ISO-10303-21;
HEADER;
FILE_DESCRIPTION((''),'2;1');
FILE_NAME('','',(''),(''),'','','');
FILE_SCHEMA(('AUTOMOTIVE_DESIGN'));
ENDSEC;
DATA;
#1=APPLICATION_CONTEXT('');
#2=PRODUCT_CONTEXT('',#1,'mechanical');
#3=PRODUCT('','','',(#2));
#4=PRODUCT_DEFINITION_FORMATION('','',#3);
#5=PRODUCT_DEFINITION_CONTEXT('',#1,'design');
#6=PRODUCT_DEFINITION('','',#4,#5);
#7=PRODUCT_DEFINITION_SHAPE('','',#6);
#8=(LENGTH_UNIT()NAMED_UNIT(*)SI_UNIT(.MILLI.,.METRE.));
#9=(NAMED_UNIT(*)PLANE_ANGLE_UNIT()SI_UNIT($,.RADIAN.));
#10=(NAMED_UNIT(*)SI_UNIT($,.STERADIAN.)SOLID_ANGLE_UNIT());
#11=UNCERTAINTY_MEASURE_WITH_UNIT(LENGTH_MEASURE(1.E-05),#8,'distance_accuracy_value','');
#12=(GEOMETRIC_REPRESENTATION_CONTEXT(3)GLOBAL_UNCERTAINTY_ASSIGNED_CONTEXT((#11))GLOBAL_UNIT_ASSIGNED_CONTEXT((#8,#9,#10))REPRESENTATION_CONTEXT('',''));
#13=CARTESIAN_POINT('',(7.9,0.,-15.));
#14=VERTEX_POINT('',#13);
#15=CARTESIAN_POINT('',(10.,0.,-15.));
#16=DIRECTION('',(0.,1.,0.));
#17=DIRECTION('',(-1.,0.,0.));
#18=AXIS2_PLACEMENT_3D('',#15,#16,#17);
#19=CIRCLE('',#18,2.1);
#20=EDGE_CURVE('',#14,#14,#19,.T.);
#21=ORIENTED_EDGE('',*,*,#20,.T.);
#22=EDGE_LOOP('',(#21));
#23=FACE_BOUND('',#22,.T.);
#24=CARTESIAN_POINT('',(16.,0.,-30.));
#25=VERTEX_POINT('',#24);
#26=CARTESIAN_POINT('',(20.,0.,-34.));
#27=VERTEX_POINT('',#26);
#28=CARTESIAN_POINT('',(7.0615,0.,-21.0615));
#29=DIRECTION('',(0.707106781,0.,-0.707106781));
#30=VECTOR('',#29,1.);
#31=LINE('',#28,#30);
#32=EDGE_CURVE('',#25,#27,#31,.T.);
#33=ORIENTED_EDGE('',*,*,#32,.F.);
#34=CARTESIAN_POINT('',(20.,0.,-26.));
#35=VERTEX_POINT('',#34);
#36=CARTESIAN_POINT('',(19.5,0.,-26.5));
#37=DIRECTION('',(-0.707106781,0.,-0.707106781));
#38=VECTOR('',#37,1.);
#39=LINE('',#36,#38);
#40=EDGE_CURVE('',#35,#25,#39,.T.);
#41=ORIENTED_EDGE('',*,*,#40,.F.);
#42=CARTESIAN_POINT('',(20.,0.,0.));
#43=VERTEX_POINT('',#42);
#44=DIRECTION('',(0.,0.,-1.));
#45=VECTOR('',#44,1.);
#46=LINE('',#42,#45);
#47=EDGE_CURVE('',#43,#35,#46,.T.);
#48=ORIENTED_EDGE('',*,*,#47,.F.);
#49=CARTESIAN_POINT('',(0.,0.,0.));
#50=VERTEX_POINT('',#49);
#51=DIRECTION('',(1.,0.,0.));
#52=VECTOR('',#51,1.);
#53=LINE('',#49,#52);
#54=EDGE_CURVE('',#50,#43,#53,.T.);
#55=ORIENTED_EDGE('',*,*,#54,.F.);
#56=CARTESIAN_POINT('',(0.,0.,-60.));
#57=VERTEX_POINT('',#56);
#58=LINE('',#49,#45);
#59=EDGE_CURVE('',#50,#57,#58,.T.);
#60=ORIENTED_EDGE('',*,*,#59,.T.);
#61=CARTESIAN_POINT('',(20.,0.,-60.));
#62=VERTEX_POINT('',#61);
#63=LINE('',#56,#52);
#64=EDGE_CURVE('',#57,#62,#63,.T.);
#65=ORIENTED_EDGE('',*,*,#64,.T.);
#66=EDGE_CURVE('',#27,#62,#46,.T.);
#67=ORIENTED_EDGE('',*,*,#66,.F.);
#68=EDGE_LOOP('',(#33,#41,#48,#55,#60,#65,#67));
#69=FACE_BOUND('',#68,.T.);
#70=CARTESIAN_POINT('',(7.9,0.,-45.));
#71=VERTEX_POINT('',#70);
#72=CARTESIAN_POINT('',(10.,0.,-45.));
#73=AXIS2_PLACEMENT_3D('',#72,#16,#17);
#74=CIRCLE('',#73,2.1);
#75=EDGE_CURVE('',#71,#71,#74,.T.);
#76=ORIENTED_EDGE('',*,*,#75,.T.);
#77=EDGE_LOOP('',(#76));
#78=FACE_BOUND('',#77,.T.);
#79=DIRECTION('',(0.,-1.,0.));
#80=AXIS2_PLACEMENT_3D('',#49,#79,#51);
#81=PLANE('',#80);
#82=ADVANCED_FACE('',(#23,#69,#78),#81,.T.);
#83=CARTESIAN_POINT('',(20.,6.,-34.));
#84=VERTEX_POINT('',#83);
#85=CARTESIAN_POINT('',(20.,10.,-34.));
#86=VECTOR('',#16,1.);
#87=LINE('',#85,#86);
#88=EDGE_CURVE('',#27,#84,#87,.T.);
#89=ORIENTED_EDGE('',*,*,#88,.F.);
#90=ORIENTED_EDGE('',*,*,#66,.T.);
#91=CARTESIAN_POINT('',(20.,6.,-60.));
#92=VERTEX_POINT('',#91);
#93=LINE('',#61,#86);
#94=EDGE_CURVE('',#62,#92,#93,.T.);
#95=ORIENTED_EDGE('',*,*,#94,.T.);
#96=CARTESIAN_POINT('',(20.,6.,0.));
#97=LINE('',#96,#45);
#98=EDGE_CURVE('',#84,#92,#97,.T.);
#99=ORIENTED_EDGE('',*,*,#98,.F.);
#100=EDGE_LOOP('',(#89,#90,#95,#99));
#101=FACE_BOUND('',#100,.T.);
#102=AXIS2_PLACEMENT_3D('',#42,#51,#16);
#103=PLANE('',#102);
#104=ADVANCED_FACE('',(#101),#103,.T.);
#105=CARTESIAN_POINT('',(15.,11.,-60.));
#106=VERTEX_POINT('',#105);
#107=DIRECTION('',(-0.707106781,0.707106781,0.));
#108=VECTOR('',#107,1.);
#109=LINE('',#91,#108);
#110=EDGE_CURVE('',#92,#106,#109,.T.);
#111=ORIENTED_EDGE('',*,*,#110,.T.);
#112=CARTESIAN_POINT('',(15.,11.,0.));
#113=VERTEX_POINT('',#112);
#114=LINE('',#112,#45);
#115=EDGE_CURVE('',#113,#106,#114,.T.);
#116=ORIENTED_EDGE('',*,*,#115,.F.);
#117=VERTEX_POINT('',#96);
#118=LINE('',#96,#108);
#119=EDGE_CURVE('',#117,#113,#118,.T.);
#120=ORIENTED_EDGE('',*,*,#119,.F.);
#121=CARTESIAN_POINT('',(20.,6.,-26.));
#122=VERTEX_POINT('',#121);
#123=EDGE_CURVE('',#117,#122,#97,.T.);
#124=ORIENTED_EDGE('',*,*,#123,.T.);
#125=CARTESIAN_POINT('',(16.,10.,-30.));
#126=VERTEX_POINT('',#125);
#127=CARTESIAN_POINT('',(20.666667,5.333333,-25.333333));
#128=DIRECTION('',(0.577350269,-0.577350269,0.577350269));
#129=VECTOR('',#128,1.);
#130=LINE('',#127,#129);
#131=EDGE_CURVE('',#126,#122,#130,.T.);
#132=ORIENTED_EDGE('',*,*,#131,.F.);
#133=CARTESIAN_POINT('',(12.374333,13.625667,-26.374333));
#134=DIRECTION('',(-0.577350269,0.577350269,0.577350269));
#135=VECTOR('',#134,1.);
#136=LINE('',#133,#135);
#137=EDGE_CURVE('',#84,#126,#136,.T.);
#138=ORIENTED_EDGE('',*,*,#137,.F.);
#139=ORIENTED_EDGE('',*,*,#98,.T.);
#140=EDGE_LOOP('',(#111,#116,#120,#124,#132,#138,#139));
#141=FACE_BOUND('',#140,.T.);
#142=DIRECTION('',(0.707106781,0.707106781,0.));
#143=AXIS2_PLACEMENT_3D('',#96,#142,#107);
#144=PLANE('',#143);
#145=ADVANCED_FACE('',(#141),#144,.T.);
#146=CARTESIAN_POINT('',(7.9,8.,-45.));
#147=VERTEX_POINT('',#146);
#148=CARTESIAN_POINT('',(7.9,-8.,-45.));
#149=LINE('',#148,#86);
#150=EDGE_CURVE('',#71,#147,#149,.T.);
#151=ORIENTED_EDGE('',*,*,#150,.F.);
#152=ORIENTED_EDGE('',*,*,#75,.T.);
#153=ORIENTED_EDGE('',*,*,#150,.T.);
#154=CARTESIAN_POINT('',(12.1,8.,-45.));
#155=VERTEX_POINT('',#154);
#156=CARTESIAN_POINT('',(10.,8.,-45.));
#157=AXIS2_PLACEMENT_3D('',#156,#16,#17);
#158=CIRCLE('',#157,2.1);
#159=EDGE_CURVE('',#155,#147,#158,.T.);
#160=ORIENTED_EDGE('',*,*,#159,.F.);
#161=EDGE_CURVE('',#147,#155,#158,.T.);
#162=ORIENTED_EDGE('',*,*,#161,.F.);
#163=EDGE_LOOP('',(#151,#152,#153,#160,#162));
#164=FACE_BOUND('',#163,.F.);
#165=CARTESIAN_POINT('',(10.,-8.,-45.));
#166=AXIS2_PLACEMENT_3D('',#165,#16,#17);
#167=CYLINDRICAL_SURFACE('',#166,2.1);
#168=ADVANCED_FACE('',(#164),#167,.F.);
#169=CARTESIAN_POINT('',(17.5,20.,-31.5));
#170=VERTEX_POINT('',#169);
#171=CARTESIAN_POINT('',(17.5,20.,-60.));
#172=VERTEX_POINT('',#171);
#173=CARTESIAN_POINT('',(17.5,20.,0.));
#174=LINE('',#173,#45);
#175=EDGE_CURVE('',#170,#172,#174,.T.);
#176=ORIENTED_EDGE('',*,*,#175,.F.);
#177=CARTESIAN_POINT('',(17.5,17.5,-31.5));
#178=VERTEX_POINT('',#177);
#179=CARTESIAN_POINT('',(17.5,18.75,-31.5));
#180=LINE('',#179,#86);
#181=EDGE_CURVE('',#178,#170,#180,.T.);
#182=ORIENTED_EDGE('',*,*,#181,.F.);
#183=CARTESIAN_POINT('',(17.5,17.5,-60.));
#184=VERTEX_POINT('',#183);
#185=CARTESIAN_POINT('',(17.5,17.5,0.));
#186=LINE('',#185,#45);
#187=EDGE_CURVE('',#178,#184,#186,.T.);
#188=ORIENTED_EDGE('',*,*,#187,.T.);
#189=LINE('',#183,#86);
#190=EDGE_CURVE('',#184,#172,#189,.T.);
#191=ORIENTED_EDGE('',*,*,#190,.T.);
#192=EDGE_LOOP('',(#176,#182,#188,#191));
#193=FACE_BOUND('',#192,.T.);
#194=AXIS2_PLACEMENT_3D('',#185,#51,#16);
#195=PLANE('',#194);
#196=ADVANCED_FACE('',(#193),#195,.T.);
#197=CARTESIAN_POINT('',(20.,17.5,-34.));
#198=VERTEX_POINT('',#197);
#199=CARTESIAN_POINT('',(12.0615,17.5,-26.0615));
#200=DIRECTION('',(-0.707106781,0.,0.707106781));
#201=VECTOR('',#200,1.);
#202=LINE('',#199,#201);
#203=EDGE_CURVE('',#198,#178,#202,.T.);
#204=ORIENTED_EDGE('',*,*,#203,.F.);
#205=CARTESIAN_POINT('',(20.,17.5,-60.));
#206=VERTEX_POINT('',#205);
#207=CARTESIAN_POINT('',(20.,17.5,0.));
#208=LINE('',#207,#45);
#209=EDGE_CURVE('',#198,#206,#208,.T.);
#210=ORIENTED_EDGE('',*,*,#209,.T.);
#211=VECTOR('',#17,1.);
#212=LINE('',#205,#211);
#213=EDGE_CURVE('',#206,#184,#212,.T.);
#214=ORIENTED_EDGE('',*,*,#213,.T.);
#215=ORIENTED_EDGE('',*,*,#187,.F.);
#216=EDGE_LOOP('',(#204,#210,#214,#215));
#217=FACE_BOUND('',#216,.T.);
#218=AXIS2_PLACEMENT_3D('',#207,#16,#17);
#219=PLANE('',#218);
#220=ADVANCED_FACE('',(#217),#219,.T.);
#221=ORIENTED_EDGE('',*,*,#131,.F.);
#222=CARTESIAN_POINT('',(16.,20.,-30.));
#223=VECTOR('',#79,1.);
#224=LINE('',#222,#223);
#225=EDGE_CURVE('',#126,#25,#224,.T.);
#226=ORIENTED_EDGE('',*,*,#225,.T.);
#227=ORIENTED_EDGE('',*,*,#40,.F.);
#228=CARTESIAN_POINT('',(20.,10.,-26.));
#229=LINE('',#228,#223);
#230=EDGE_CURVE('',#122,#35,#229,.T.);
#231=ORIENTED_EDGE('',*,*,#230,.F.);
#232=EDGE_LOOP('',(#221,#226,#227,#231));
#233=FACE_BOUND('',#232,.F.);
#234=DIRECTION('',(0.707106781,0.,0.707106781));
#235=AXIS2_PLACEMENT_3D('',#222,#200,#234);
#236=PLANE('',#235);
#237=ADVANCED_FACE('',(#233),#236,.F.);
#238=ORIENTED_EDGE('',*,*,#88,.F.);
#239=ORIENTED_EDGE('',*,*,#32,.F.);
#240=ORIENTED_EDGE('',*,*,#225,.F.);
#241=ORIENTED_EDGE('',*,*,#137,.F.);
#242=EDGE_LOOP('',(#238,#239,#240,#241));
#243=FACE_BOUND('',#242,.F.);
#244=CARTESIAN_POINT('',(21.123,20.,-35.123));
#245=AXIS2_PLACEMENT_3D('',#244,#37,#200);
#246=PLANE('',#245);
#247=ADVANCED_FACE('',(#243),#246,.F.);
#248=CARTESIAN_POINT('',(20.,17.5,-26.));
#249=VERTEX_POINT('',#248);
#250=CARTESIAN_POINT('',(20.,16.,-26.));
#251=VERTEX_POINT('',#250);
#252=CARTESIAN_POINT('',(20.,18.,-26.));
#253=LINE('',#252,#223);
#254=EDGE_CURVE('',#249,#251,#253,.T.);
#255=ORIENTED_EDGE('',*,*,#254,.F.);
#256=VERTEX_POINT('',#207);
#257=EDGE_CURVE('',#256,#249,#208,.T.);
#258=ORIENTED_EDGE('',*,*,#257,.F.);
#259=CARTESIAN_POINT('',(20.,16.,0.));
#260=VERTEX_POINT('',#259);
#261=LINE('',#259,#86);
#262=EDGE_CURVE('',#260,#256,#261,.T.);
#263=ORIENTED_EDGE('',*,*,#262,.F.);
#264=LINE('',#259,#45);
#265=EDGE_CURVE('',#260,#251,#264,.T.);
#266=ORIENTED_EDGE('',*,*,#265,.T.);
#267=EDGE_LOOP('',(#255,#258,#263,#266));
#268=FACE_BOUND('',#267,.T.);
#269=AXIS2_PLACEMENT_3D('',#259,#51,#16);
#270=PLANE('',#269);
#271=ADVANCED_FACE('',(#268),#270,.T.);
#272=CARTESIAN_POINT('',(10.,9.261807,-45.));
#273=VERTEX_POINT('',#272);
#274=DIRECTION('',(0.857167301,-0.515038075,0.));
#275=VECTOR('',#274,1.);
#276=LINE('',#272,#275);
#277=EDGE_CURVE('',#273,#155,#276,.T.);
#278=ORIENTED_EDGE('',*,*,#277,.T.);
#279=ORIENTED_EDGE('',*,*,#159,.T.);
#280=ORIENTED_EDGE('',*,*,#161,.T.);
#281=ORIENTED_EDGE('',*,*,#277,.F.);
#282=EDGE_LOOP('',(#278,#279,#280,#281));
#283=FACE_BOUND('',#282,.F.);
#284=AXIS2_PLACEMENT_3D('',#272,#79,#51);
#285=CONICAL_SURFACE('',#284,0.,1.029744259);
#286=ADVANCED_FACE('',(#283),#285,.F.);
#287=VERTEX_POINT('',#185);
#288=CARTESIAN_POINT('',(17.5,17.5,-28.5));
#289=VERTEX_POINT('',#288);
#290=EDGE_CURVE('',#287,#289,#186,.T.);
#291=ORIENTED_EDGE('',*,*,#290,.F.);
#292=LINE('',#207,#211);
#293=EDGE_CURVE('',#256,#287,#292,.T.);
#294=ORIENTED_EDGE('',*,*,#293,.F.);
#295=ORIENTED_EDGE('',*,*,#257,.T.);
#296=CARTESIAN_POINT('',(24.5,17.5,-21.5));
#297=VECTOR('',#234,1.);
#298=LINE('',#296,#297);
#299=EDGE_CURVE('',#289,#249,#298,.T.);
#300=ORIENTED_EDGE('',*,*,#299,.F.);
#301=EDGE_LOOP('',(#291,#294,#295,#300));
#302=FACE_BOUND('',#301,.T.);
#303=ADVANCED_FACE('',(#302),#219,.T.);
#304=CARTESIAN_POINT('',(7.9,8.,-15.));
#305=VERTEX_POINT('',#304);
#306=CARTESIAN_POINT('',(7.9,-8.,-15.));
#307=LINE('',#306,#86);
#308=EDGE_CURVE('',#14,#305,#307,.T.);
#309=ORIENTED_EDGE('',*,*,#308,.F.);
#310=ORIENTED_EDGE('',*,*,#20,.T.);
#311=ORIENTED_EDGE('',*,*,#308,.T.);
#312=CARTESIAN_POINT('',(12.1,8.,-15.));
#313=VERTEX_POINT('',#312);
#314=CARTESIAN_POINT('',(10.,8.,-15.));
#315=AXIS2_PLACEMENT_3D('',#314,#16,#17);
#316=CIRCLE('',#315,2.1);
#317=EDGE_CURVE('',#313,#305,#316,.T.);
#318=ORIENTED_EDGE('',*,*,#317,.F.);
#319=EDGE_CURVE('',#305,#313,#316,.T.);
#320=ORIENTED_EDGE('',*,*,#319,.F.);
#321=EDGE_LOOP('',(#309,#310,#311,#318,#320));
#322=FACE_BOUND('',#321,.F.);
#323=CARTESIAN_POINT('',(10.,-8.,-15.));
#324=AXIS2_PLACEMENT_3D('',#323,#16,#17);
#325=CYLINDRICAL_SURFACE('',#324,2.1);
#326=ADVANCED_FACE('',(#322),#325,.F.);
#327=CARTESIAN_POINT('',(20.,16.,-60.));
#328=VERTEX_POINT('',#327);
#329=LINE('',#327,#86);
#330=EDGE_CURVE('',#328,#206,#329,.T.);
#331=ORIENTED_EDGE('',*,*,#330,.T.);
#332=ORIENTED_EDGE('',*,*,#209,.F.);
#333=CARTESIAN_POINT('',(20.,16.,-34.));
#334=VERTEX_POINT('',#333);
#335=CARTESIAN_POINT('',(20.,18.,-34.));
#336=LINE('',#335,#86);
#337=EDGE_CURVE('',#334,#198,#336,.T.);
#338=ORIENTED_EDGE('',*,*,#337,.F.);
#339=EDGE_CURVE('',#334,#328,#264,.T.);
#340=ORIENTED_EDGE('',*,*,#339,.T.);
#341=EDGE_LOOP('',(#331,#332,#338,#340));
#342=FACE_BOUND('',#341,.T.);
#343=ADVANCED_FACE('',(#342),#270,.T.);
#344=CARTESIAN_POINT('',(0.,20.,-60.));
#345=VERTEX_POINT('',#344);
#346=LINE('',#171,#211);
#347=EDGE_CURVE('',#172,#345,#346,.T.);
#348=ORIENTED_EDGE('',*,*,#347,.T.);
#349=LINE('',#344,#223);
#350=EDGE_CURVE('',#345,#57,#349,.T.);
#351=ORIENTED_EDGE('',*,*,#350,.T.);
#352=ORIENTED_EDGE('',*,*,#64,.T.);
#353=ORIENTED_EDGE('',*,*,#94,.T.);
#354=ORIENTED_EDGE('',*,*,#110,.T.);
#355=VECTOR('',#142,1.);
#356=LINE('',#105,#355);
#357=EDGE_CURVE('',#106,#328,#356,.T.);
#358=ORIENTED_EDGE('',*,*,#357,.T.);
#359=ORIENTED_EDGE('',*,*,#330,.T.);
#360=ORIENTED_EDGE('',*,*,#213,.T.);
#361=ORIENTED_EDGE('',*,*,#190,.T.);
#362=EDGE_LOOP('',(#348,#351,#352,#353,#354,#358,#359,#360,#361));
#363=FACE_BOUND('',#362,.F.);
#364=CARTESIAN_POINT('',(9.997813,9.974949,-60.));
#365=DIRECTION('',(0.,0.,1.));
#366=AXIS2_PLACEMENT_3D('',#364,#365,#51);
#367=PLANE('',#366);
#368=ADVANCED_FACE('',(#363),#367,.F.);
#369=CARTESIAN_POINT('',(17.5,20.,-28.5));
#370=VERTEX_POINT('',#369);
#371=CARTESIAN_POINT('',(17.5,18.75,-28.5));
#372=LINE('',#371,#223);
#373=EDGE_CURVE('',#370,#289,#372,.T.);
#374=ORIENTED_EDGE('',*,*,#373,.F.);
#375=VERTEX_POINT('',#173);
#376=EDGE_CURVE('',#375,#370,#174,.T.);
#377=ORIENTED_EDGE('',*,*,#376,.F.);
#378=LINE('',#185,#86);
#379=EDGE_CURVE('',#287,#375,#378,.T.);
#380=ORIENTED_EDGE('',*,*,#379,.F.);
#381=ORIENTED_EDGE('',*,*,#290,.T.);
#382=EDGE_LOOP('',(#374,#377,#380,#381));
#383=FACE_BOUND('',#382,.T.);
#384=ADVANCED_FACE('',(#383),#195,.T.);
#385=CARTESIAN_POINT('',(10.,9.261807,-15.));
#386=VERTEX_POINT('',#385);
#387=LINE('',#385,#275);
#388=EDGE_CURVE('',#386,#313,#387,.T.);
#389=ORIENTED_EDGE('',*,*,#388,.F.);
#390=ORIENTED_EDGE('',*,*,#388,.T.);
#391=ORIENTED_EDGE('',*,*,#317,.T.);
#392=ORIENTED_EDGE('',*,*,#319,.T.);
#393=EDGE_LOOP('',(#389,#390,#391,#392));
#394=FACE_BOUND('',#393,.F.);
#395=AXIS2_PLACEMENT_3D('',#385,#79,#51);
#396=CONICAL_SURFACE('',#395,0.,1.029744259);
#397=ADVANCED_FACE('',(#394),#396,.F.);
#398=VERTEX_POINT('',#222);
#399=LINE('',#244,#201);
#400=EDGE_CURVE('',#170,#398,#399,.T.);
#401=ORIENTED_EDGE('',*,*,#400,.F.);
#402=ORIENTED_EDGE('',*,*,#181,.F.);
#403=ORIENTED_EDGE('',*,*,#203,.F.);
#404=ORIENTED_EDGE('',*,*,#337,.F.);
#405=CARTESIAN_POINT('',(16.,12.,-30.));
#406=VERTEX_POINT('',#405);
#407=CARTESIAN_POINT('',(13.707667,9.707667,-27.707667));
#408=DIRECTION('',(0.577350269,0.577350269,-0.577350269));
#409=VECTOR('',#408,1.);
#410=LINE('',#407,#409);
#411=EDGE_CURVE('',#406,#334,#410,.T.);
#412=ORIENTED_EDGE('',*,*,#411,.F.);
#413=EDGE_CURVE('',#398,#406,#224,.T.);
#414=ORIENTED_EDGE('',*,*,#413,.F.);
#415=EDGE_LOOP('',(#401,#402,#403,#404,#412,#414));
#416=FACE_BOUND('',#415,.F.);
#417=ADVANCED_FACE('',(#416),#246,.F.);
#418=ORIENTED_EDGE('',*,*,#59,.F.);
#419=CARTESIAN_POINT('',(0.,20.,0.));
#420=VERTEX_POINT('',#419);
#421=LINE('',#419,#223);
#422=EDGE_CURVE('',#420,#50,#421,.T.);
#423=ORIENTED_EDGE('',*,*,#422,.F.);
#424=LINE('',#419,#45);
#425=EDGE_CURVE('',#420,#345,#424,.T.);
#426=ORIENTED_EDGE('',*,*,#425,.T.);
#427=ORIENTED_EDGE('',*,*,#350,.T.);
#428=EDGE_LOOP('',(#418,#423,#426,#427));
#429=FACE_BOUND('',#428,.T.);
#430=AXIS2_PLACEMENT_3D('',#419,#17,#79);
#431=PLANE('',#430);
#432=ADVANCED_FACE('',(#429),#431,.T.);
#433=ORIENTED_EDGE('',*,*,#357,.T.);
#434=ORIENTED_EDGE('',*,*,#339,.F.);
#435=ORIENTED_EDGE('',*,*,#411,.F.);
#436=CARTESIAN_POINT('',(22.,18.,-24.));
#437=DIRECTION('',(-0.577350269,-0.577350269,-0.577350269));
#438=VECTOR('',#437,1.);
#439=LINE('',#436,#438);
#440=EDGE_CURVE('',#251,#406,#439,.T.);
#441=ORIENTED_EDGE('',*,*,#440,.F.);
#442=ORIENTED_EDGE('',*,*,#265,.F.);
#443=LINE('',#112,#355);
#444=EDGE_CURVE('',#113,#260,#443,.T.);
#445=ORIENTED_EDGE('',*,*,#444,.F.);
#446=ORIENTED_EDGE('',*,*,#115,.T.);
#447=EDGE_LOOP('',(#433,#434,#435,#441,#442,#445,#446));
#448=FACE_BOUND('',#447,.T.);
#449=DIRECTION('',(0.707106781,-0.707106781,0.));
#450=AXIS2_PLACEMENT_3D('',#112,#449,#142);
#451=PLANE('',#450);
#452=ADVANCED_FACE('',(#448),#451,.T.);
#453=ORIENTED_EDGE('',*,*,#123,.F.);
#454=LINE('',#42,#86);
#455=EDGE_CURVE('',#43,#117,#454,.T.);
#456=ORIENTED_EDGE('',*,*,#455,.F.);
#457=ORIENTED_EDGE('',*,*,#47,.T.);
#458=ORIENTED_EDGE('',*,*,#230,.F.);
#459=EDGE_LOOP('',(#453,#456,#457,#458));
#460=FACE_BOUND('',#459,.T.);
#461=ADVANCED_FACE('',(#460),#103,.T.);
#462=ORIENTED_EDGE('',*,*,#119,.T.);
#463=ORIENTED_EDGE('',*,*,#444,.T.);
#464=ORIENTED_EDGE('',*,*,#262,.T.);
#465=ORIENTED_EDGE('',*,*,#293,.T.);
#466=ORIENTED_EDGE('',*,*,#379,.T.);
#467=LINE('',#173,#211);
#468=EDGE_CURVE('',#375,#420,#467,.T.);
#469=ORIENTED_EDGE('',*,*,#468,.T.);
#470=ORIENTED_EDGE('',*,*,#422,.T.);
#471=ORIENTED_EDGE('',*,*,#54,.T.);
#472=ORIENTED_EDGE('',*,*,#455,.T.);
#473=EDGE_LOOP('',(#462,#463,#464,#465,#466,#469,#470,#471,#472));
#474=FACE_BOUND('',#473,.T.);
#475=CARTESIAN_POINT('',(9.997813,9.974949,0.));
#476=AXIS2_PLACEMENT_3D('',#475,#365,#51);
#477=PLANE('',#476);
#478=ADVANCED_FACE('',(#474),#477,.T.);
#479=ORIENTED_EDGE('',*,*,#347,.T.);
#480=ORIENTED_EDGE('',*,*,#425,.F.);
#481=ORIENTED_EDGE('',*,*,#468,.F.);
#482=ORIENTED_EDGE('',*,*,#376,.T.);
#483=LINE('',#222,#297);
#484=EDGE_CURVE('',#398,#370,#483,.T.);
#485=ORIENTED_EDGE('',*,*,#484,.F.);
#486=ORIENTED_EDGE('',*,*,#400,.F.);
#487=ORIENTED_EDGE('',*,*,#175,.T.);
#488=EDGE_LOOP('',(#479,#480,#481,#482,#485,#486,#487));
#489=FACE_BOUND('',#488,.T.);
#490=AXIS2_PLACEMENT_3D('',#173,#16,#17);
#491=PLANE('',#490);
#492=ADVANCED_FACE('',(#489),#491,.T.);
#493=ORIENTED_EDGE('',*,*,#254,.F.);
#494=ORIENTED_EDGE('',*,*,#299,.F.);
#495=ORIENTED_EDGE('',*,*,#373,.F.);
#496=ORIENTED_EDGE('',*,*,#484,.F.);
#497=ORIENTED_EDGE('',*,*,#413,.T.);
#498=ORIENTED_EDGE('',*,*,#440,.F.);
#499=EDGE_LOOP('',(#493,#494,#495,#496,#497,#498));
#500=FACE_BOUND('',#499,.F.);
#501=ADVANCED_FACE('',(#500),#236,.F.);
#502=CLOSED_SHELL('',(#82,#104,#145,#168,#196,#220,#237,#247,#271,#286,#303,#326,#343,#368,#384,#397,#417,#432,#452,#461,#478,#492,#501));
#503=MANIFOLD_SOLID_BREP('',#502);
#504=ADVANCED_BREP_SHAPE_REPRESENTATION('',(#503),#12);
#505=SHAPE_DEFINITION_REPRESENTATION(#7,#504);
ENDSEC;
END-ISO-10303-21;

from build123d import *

# Parameters (mm, degrees)
F1_DEPTH = 60
F3_DEPTH = 25
F5_D     = 4.2
F5_DEPTH = 8
F5_TIP   = 1.2618073


with BuildPart() as f1:
    # F0 (on Top) → F1 (new body)
    with BuildSketch(Plane.XY):
        Polygon((0, 20), (0, 0), (20, 0), (20, 6), (15, 11), (20, 16), (20, 17.5), (17.5, 17.5), (17.5, 20), align=None)
    extrude(amount=-F1_DEPTH)

    # F2 (on face) → F3 (cut)
    with BuildSketch(Plane(origin=(0, 20, 0), x_dir=(-1, 0, 0), z_dir=(0, 1, 0))):
        Polygon((-17.5, -28.5), (-21.123, -24.877), (-21.123, -35.123), (-17.5, -31.5), align=None)
        Polygon((-16, -30), (-17.5, -28.5), (-17.5, -31.5), align=None)
    extrude(amount=-F3_DEPTH, mode=Mode.SUBTRACT)

    # F5
    with Locations(Plane.XZ):
        with Locations((10, -15), (10, -45)):
            Hole(F5_D / 2, depth=F5_DEPTH)
            with Locations((0, 0, -(F5_DEPTH + F5_TIP / 2))):  # 118° drill point
                Cone(0, F5_D / 2, F5_TIP, mode=Mode.SUBTRACT)


solid = f1.part
